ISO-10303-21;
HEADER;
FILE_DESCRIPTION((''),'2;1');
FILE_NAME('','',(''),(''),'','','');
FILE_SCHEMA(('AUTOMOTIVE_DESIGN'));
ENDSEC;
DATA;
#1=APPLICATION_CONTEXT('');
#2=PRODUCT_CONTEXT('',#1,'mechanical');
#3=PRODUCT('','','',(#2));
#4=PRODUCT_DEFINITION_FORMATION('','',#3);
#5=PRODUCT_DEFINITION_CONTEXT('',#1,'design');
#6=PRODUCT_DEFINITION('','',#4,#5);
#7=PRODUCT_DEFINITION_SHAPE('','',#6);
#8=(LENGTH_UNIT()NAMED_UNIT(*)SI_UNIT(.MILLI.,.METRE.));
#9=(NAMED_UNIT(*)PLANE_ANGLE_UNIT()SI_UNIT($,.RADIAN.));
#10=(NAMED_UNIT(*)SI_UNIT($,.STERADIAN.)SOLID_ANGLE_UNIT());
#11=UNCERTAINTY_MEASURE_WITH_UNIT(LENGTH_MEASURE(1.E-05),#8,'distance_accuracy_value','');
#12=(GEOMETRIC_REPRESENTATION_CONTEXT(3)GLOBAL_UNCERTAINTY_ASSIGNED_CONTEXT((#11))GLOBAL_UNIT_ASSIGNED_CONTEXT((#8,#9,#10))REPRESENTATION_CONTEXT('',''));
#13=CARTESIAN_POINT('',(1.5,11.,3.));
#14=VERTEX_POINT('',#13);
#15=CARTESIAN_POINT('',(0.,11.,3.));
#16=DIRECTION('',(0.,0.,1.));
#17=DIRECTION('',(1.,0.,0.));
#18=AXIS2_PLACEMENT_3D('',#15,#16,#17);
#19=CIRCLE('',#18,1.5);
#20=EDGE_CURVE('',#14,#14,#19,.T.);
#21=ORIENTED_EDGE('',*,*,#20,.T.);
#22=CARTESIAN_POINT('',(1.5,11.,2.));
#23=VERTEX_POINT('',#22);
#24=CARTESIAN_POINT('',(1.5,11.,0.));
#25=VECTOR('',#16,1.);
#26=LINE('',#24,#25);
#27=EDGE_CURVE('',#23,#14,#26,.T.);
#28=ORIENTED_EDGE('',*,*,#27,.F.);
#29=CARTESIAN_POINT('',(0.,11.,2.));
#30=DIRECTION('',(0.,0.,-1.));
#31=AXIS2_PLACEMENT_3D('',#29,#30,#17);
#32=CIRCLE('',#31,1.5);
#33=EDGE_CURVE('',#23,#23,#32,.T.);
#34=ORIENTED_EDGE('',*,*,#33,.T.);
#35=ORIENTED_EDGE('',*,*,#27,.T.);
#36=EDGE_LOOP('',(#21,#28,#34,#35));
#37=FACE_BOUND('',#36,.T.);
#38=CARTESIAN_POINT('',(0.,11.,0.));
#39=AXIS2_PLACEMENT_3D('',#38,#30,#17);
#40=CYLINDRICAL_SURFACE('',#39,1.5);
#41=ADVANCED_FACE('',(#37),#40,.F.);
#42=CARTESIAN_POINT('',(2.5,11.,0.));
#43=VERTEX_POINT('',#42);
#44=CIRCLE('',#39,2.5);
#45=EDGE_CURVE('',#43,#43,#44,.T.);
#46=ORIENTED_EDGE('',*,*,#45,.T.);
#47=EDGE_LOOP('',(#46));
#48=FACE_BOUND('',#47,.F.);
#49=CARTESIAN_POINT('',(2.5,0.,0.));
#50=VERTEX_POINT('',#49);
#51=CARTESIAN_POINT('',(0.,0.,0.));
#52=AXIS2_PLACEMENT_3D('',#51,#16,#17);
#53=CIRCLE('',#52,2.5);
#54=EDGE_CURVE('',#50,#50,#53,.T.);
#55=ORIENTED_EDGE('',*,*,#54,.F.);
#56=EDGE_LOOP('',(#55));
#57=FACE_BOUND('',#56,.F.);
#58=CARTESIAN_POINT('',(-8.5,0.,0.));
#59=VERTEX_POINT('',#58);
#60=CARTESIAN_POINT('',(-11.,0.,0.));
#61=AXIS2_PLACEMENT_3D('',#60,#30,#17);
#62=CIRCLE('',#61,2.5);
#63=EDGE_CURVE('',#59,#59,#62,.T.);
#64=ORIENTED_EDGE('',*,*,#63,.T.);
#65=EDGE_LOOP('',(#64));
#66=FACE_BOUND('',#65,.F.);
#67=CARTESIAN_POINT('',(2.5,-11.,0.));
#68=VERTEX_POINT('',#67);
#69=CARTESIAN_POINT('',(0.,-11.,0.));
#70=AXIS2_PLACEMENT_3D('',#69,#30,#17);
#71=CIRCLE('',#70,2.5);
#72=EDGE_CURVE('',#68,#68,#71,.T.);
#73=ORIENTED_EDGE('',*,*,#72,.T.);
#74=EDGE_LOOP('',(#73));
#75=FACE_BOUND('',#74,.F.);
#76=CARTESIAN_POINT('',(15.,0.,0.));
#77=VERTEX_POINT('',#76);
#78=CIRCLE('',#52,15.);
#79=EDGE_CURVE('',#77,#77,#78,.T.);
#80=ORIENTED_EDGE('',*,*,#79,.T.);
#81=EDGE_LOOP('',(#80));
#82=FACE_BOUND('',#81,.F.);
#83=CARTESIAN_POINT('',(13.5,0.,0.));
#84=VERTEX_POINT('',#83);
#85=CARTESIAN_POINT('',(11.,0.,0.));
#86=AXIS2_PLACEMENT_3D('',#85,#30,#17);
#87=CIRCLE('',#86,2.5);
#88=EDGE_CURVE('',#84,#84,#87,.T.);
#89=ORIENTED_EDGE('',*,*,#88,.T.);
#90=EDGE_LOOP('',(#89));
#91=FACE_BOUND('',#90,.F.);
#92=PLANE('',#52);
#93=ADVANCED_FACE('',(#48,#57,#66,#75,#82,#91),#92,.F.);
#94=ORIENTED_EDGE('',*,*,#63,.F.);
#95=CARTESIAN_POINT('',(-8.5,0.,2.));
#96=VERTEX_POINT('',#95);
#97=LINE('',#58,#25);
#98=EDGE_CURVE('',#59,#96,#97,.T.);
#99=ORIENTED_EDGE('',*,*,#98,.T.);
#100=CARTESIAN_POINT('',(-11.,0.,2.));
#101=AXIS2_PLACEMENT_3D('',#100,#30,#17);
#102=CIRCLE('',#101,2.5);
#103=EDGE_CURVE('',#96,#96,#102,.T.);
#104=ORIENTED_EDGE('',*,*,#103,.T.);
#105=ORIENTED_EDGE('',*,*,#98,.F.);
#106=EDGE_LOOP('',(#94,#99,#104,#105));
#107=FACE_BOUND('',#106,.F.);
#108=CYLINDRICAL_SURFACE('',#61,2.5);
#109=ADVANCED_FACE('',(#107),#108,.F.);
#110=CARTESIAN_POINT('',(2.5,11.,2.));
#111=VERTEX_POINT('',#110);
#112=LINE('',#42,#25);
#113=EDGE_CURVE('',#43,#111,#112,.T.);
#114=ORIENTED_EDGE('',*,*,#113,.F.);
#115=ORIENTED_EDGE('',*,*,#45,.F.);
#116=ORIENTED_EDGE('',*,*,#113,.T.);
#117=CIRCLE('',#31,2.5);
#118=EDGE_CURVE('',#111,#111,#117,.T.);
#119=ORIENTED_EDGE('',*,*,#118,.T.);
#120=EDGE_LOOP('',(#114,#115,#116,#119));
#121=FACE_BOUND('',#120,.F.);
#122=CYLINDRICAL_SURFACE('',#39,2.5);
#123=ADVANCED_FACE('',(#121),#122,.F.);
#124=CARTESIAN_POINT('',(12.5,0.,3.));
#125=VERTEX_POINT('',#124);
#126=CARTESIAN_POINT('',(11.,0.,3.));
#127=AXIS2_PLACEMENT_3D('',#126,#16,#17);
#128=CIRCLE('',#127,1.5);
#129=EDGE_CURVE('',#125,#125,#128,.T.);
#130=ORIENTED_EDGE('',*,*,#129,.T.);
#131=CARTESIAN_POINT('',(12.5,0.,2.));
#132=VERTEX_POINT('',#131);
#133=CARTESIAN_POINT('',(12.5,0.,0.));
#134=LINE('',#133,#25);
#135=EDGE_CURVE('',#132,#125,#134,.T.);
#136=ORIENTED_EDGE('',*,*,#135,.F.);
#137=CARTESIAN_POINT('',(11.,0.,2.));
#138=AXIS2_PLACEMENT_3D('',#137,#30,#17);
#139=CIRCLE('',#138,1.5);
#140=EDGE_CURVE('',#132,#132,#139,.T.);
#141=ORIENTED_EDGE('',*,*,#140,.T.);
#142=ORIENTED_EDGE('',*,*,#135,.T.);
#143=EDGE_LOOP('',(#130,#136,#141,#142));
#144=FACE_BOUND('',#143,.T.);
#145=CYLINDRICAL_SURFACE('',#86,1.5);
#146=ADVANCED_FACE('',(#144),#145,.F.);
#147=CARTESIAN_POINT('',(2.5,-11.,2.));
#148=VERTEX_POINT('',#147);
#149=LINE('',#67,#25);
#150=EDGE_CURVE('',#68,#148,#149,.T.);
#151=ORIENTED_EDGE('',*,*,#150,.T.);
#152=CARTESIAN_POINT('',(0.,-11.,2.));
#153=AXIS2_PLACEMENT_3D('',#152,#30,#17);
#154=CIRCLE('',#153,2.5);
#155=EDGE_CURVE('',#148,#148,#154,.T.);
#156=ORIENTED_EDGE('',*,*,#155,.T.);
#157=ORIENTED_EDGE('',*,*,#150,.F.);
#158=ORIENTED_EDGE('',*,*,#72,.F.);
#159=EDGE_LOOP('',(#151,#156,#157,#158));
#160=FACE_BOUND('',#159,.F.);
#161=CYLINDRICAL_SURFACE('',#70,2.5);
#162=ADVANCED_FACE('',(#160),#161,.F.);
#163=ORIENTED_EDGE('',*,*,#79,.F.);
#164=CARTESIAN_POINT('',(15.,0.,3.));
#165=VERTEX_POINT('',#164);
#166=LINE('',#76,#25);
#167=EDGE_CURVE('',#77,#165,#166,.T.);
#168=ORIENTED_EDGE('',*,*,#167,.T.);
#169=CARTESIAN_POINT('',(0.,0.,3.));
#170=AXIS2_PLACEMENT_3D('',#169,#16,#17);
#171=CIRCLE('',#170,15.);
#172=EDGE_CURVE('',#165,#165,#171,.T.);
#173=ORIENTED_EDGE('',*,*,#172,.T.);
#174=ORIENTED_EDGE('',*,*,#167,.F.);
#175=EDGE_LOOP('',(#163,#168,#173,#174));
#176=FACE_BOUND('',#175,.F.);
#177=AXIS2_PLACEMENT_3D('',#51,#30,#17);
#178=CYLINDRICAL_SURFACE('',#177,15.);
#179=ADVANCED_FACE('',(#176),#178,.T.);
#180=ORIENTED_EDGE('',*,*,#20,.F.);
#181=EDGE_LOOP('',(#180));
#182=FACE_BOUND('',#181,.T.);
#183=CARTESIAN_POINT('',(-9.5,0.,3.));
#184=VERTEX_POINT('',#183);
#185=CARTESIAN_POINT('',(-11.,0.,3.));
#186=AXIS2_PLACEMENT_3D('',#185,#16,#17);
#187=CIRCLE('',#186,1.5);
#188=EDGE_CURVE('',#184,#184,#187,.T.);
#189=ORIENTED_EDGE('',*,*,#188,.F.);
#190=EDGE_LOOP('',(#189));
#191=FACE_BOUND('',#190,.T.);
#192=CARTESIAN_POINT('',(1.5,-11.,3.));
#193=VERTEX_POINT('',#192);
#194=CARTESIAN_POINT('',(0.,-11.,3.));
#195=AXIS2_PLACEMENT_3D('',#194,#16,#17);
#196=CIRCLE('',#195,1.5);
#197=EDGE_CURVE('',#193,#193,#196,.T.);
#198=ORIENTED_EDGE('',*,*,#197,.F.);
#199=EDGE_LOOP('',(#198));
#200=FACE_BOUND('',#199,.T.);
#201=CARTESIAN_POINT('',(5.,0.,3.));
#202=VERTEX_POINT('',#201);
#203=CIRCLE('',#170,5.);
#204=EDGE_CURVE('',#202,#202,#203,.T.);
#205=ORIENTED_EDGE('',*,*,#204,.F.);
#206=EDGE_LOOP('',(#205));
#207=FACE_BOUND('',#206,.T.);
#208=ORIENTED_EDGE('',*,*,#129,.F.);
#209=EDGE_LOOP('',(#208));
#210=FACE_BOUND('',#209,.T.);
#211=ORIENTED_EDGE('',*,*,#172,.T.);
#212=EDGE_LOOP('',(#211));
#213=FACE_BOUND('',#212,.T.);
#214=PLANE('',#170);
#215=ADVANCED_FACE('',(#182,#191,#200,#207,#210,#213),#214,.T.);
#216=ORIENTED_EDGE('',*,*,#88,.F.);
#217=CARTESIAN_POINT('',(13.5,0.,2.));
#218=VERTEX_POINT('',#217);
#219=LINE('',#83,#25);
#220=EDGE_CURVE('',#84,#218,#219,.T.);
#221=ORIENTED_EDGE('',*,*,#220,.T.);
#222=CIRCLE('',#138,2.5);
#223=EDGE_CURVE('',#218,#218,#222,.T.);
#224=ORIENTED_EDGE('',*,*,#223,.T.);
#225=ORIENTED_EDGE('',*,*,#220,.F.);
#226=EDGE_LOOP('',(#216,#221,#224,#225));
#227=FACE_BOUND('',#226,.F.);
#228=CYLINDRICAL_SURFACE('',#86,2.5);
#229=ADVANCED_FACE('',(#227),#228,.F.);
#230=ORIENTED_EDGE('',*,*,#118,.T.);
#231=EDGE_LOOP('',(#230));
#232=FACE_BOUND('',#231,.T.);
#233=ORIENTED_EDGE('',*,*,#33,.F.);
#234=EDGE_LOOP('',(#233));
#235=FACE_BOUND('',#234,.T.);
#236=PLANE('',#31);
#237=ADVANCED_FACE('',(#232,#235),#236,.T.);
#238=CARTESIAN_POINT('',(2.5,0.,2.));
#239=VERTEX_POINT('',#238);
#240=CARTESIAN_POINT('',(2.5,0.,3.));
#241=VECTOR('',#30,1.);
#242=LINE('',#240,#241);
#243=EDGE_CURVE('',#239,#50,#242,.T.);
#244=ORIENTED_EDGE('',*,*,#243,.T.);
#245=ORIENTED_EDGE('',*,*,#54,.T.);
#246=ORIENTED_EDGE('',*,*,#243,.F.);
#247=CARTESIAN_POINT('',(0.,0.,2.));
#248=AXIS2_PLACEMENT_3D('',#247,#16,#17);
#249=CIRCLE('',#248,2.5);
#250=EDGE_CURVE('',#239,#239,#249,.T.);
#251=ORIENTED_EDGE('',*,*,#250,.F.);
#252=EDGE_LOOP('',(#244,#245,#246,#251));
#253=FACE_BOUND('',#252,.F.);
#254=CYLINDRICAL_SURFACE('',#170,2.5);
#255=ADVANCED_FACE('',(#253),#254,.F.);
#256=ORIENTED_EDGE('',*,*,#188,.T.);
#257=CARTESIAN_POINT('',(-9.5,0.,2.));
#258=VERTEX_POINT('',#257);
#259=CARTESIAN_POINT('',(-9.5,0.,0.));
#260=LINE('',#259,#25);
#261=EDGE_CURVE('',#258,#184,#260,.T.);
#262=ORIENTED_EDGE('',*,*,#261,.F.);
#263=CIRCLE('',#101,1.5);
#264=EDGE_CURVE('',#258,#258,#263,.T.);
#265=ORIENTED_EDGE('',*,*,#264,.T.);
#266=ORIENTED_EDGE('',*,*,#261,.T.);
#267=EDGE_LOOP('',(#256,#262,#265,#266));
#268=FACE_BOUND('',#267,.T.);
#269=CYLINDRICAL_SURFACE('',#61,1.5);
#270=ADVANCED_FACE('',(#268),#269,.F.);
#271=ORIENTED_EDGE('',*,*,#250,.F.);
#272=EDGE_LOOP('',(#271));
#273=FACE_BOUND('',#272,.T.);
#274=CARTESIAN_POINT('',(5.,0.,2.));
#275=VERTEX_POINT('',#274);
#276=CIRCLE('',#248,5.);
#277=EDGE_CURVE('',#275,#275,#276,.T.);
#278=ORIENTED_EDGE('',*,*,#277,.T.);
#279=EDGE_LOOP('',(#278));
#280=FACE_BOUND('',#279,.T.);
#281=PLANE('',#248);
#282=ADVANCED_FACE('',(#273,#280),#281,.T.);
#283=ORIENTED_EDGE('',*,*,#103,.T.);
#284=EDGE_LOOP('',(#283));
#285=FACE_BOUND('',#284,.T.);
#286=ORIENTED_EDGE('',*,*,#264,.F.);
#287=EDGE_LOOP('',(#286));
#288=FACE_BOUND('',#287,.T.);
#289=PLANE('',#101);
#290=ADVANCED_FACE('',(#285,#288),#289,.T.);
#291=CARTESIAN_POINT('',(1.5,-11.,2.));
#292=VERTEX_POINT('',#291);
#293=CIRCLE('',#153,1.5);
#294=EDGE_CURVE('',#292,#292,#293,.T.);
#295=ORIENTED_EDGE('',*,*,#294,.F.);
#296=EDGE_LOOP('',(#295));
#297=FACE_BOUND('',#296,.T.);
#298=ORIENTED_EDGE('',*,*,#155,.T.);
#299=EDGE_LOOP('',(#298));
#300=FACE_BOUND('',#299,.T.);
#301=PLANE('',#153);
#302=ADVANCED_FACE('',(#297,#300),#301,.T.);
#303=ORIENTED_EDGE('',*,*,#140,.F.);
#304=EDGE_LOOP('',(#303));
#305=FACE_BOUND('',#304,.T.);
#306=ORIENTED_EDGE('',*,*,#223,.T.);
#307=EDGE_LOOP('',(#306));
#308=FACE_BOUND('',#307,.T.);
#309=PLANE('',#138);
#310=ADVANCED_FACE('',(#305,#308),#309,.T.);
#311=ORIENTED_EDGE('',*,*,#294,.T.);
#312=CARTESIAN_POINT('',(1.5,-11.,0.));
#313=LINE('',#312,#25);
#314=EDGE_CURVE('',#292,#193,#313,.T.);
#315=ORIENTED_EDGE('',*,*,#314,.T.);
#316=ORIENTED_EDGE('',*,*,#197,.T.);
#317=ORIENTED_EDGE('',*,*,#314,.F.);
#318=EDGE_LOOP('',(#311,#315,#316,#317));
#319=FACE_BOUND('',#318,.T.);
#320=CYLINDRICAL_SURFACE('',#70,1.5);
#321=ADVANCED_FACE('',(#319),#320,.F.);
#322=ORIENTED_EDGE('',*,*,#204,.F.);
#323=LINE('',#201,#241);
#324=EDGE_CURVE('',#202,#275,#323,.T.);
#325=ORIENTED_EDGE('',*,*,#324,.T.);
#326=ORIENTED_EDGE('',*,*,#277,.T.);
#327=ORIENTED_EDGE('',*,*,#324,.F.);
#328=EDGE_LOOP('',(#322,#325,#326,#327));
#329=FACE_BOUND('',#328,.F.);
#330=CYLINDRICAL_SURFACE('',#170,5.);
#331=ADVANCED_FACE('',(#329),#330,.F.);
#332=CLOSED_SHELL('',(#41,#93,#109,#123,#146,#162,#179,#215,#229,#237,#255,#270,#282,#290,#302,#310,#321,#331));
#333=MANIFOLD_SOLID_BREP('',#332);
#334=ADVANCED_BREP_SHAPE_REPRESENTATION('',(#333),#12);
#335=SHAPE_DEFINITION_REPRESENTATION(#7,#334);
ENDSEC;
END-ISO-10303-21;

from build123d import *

# Parameters (mm, degrees)
SKETCH_R        = 15
SKETCH_R_2      = 1.5
PAD_DEPTH       = 3
SKETCH002_R     = 2.5
POCKET_DEPTH    = 9
SKETCH001_R     = 5
POCKET001_DEPTH = 1
SKETCH003_R     = 2.5
POCKET002_DEPTH = 2


with BuildPart() as part:
    # Sketch → Pad (new body)
    with BuildSketch(Plane.XY):
        Circle(SKETCH_R)
        with Locations((0, 11)):
            Circle(SKETCH_R_2, mode=Mode.SUBTRACT)
        with Locations((-11, 0)):
            Circle(SKETCH_R_2, mode=Mode.SUBTRACT)
        with Locations((0, -11)):
            Circle(SKETCH_R_2, mode=Mode.SUBTRACT)
        with Locations((11, 0)):
            Circle(SKETCH_R_2, mode=Mode.SUBTRACT)
    extrude(amount=PAD_DEPTH)

    # Sketch002 (on Face7 of Pad) → Pocket (cut)
    with BuildSketch(Plane.XY.offset(3)):
        Circle(SKETCH002_R)
    extrude(amount=-POCKET_DEPTH, mode=Mode.SUBTRACT)

    # Sketch001 (on Face7 of Pad) → Pocket001 (cut)
    with BuildSketch(Plane.XY.offset(3)):
        Circle(SKETCH001_R)
    extrude(amount=-POCKET001_DEPTH, mode=Mode.SUBTRACT)

    # Sketch003 (on Face2 of Pocket001) → Pocket002 (cut)
    with BuildSketch(Plane(origin=(0, 0, 0), x_dir=(1, 0, 0), z_dir=(0, 0, -1))):
        with Locations((0, 11)):
            Circle(SKETCH003_R)
        with Locations((11, 0)):
            Circle(SKETCH003_R)
        with Locations((0, -11)):
            Circle(SKETCH003_R)
        with Locations((-11, 0)):
            Circle(SKETCH003_R)
    extrude(amount=-POCKET002_DEPTH, mode=Mode.SUBTRACT)


solid = part.part
